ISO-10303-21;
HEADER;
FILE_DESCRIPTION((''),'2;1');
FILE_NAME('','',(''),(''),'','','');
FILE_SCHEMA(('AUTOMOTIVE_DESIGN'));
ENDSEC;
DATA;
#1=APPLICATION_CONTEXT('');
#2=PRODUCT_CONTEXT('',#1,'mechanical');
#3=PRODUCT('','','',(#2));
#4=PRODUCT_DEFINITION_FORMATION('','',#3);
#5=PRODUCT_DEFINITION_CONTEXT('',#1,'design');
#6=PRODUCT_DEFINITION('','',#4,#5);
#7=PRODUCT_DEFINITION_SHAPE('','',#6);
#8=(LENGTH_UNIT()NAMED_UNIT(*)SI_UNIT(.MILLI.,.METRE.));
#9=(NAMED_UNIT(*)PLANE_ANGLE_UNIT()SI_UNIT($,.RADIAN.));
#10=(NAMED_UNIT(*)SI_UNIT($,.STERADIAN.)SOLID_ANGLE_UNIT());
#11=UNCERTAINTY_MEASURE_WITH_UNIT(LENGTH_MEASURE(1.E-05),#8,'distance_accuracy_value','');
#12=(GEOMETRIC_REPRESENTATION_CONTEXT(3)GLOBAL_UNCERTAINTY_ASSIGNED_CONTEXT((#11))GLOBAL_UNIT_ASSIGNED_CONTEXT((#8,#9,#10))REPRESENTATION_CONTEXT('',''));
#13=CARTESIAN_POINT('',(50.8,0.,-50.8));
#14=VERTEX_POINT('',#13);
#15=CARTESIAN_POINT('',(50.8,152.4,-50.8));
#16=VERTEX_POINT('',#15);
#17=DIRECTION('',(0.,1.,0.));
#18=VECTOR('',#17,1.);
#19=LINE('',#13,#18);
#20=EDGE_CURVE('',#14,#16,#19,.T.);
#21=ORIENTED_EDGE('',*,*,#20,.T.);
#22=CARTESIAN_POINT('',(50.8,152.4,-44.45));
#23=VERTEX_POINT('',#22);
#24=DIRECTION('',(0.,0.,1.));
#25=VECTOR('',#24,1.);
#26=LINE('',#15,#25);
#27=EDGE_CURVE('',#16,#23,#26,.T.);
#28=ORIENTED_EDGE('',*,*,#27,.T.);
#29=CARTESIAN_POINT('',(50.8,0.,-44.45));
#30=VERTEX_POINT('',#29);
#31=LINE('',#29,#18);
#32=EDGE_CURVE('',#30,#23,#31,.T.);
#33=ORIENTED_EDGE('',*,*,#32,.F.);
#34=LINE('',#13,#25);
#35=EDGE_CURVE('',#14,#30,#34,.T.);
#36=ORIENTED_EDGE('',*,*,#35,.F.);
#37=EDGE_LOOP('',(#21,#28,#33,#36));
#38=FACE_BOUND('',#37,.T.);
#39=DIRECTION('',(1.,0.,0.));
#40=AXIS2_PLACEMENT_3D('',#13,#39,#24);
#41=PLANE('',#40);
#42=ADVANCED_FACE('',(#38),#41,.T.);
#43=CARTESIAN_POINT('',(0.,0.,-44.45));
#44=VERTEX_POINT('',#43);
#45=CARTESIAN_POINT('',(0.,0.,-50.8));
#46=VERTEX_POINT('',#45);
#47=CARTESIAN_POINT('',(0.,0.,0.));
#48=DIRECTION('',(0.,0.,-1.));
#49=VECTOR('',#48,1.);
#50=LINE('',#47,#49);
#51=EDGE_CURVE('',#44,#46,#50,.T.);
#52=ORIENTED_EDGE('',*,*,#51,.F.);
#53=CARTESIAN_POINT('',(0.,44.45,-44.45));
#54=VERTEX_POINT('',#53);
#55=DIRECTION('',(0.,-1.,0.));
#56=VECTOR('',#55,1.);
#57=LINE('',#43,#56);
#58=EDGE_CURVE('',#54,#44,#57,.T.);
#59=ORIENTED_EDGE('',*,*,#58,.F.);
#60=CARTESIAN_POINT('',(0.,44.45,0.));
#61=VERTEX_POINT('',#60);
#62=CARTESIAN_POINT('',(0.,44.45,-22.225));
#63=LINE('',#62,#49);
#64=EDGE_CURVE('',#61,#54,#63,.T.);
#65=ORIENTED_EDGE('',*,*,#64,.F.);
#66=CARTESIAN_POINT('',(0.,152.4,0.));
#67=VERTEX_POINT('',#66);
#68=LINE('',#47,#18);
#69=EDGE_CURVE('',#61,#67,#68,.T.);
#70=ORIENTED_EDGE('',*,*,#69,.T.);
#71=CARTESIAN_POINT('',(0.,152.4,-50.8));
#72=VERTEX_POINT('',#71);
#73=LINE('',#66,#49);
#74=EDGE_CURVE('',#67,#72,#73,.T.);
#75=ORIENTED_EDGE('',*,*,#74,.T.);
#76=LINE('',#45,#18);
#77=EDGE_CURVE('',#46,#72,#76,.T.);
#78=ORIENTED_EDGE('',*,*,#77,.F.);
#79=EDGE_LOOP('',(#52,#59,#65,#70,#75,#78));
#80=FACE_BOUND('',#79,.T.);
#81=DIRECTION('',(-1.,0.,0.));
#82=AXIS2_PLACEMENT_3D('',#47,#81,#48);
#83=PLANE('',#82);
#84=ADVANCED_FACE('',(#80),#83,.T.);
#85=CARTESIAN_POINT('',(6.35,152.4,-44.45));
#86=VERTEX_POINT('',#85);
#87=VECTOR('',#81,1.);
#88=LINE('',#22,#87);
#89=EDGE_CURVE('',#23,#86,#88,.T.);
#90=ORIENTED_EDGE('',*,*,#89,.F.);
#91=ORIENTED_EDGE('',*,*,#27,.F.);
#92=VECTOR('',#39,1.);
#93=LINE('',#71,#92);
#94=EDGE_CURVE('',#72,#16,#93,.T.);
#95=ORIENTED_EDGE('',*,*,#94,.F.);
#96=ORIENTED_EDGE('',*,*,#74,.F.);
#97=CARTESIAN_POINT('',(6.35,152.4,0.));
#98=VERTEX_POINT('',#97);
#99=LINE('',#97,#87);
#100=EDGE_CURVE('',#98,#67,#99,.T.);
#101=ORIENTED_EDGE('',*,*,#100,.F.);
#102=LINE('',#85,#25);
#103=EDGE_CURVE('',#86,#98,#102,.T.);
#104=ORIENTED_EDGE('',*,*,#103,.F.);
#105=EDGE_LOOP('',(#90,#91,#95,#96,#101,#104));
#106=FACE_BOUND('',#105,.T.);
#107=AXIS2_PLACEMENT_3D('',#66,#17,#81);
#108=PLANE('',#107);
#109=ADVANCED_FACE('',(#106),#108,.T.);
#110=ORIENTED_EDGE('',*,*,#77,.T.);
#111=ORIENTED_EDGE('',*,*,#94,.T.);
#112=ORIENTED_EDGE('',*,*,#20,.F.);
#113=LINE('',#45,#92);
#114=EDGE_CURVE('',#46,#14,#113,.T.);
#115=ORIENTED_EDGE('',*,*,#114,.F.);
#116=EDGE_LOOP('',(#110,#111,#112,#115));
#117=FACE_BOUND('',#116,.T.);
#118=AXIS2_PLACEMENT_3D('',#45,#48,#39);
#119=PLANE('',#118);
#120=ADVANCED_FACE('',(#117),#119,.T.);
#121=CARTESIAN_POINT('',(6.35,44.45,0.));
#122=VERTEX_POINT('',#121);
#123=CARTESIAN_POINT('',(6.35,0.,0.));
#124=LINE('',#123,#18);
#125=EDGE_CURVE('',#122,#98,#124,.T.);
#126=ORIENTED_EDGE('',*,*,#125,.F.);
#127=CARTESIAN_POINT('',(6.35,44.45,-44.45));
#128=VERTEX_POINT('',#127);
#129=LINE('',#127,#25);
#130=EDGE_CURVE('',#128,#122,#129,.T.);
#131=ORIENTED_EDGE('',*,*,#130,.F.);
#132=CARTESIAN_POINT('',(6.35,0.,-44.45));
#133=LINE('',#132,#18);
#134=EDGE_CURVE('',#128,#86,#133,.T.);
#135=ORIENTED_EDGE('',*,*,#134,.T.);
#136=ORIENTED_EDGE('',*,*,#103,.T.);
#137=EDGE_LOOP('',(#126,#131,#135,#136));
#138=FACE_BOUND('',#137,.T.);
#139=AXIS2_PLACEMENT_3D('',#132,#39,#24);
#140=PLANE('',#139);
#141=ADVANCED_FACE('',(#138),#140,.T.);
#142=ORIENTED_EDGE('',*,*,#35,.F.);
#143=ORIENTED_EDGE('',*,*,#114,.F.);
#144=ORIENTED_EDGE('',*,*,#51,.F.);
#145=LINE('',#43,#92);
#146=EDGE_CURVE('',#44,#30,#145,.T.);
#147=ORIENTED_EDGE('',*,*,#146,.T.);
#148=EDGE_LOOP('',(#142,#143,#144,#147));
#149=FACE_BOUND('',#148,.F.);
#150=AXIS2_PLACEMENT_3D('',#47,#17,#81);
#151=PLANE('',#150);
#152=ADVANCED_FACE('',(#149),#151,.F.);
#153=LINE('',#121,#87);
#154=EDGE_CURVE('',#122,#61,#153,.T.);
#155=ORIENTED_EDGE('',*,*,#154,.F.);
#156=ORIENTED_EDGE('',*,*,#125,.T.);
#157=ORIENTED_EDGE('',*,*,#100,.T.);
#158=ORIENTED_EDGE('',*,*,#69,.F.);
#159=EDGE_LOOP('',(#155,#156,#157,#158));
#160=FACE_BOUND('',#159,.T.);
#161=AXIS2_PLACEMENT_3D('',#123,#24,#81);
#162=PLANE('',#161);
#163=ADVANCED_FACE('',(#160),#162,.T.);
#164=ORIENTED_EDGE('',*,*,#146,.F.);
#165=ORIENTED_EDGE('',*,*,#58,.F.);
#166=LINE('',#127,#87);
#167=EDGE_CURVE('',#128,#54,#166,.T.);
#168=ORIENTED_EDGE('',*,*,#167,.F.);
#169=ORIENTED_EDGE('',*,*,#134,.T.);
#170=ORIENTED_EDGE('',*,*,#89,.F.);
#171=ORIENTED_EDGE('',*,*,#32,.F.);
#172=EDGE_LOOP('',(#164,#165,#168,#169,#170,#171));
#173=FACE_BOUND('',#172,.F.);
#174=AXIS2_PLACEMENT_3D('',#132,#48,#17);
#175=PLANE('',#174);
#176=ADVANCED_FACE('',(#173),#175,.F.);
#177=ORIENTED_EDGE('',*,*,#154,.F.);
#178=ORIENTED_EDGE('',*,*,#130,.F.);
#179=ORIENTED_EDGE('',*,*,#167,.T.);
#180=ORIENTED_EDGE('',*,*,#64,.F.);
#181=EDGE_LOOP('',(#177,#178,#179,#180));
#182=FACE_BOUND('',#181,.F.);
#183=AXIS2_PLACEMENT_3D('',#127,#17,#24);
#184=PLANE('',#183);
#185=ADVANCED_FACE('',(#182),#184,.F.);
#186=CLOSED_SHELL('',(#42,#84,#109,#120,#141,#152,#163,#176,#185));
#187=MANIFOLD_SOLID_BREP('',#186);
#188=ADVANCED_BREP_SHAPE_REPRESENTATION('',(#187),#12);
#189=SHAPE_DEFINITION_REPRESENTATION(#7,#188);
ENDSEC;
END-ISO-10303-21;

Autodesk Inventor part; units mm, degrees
ref_plane "YZ Plane" through (0, 0, 0) normal (1, 0, 0) x (0, 1, 0)
ref_plane "XZ Plane" through (0, 0, 0) normal (0, 1, 0) x (-1, 0, 0)
ref_plane "XY Plane" through (0, 0, 0) normal (0, 0, 1) x (1, 0, 0)
sketch "Sketch1" plane through (0, 0, 0) normal (0, 1, 0) x (-1, 0, 0)
  line L0 (0, 0) -> (0, -50.8)
  line L1 (0, -50.8) -> (-50.8, -50.8)
  line L2 (-50.8, -50.8) -> (-50.8, -44.45)
  line L3 (-50.8, -44.45) -> (-6.35, -44.45)
  line L4 (-6.35, -44.45) -> (-6.35, 0)
  line L5 (-6.35, 0) -> (0, 0)
  dimension "d0" = 6.35
  dimension "d1" = 50.8
extrude "Extrusion1" add sketch "Sketch1" along normal blind 152.4
sketch "Sketch2" plane through (0, 0, -50.8) normal (-1, 0, 0) x (0, 0, 1)
  point P0 (50.8, 0)
sketch "Sketch3" plane through (6.35, 0, 0) normal (1, 0, 0) x (0, 0, -1)
  line L0 (0, 0) -> (50.8, 0) projected
  line L1 (44.45, 0) -> (44.45, 152.4) projected
  line L2 (0, 0) -> (44.45, 0)
  line L3 (44.45, 0) -> (44.45, 44.45)
  line L4 (44.45, 44.45) -> (0, 44.45)
  line L5 (0, 44.45) -> (0, 0)
  dimension "d5" = 44.45
extrude "Extrusion2" cut sketch "Sketch3" against normal through all
properties part number "LiftAngleBracketExtension"
